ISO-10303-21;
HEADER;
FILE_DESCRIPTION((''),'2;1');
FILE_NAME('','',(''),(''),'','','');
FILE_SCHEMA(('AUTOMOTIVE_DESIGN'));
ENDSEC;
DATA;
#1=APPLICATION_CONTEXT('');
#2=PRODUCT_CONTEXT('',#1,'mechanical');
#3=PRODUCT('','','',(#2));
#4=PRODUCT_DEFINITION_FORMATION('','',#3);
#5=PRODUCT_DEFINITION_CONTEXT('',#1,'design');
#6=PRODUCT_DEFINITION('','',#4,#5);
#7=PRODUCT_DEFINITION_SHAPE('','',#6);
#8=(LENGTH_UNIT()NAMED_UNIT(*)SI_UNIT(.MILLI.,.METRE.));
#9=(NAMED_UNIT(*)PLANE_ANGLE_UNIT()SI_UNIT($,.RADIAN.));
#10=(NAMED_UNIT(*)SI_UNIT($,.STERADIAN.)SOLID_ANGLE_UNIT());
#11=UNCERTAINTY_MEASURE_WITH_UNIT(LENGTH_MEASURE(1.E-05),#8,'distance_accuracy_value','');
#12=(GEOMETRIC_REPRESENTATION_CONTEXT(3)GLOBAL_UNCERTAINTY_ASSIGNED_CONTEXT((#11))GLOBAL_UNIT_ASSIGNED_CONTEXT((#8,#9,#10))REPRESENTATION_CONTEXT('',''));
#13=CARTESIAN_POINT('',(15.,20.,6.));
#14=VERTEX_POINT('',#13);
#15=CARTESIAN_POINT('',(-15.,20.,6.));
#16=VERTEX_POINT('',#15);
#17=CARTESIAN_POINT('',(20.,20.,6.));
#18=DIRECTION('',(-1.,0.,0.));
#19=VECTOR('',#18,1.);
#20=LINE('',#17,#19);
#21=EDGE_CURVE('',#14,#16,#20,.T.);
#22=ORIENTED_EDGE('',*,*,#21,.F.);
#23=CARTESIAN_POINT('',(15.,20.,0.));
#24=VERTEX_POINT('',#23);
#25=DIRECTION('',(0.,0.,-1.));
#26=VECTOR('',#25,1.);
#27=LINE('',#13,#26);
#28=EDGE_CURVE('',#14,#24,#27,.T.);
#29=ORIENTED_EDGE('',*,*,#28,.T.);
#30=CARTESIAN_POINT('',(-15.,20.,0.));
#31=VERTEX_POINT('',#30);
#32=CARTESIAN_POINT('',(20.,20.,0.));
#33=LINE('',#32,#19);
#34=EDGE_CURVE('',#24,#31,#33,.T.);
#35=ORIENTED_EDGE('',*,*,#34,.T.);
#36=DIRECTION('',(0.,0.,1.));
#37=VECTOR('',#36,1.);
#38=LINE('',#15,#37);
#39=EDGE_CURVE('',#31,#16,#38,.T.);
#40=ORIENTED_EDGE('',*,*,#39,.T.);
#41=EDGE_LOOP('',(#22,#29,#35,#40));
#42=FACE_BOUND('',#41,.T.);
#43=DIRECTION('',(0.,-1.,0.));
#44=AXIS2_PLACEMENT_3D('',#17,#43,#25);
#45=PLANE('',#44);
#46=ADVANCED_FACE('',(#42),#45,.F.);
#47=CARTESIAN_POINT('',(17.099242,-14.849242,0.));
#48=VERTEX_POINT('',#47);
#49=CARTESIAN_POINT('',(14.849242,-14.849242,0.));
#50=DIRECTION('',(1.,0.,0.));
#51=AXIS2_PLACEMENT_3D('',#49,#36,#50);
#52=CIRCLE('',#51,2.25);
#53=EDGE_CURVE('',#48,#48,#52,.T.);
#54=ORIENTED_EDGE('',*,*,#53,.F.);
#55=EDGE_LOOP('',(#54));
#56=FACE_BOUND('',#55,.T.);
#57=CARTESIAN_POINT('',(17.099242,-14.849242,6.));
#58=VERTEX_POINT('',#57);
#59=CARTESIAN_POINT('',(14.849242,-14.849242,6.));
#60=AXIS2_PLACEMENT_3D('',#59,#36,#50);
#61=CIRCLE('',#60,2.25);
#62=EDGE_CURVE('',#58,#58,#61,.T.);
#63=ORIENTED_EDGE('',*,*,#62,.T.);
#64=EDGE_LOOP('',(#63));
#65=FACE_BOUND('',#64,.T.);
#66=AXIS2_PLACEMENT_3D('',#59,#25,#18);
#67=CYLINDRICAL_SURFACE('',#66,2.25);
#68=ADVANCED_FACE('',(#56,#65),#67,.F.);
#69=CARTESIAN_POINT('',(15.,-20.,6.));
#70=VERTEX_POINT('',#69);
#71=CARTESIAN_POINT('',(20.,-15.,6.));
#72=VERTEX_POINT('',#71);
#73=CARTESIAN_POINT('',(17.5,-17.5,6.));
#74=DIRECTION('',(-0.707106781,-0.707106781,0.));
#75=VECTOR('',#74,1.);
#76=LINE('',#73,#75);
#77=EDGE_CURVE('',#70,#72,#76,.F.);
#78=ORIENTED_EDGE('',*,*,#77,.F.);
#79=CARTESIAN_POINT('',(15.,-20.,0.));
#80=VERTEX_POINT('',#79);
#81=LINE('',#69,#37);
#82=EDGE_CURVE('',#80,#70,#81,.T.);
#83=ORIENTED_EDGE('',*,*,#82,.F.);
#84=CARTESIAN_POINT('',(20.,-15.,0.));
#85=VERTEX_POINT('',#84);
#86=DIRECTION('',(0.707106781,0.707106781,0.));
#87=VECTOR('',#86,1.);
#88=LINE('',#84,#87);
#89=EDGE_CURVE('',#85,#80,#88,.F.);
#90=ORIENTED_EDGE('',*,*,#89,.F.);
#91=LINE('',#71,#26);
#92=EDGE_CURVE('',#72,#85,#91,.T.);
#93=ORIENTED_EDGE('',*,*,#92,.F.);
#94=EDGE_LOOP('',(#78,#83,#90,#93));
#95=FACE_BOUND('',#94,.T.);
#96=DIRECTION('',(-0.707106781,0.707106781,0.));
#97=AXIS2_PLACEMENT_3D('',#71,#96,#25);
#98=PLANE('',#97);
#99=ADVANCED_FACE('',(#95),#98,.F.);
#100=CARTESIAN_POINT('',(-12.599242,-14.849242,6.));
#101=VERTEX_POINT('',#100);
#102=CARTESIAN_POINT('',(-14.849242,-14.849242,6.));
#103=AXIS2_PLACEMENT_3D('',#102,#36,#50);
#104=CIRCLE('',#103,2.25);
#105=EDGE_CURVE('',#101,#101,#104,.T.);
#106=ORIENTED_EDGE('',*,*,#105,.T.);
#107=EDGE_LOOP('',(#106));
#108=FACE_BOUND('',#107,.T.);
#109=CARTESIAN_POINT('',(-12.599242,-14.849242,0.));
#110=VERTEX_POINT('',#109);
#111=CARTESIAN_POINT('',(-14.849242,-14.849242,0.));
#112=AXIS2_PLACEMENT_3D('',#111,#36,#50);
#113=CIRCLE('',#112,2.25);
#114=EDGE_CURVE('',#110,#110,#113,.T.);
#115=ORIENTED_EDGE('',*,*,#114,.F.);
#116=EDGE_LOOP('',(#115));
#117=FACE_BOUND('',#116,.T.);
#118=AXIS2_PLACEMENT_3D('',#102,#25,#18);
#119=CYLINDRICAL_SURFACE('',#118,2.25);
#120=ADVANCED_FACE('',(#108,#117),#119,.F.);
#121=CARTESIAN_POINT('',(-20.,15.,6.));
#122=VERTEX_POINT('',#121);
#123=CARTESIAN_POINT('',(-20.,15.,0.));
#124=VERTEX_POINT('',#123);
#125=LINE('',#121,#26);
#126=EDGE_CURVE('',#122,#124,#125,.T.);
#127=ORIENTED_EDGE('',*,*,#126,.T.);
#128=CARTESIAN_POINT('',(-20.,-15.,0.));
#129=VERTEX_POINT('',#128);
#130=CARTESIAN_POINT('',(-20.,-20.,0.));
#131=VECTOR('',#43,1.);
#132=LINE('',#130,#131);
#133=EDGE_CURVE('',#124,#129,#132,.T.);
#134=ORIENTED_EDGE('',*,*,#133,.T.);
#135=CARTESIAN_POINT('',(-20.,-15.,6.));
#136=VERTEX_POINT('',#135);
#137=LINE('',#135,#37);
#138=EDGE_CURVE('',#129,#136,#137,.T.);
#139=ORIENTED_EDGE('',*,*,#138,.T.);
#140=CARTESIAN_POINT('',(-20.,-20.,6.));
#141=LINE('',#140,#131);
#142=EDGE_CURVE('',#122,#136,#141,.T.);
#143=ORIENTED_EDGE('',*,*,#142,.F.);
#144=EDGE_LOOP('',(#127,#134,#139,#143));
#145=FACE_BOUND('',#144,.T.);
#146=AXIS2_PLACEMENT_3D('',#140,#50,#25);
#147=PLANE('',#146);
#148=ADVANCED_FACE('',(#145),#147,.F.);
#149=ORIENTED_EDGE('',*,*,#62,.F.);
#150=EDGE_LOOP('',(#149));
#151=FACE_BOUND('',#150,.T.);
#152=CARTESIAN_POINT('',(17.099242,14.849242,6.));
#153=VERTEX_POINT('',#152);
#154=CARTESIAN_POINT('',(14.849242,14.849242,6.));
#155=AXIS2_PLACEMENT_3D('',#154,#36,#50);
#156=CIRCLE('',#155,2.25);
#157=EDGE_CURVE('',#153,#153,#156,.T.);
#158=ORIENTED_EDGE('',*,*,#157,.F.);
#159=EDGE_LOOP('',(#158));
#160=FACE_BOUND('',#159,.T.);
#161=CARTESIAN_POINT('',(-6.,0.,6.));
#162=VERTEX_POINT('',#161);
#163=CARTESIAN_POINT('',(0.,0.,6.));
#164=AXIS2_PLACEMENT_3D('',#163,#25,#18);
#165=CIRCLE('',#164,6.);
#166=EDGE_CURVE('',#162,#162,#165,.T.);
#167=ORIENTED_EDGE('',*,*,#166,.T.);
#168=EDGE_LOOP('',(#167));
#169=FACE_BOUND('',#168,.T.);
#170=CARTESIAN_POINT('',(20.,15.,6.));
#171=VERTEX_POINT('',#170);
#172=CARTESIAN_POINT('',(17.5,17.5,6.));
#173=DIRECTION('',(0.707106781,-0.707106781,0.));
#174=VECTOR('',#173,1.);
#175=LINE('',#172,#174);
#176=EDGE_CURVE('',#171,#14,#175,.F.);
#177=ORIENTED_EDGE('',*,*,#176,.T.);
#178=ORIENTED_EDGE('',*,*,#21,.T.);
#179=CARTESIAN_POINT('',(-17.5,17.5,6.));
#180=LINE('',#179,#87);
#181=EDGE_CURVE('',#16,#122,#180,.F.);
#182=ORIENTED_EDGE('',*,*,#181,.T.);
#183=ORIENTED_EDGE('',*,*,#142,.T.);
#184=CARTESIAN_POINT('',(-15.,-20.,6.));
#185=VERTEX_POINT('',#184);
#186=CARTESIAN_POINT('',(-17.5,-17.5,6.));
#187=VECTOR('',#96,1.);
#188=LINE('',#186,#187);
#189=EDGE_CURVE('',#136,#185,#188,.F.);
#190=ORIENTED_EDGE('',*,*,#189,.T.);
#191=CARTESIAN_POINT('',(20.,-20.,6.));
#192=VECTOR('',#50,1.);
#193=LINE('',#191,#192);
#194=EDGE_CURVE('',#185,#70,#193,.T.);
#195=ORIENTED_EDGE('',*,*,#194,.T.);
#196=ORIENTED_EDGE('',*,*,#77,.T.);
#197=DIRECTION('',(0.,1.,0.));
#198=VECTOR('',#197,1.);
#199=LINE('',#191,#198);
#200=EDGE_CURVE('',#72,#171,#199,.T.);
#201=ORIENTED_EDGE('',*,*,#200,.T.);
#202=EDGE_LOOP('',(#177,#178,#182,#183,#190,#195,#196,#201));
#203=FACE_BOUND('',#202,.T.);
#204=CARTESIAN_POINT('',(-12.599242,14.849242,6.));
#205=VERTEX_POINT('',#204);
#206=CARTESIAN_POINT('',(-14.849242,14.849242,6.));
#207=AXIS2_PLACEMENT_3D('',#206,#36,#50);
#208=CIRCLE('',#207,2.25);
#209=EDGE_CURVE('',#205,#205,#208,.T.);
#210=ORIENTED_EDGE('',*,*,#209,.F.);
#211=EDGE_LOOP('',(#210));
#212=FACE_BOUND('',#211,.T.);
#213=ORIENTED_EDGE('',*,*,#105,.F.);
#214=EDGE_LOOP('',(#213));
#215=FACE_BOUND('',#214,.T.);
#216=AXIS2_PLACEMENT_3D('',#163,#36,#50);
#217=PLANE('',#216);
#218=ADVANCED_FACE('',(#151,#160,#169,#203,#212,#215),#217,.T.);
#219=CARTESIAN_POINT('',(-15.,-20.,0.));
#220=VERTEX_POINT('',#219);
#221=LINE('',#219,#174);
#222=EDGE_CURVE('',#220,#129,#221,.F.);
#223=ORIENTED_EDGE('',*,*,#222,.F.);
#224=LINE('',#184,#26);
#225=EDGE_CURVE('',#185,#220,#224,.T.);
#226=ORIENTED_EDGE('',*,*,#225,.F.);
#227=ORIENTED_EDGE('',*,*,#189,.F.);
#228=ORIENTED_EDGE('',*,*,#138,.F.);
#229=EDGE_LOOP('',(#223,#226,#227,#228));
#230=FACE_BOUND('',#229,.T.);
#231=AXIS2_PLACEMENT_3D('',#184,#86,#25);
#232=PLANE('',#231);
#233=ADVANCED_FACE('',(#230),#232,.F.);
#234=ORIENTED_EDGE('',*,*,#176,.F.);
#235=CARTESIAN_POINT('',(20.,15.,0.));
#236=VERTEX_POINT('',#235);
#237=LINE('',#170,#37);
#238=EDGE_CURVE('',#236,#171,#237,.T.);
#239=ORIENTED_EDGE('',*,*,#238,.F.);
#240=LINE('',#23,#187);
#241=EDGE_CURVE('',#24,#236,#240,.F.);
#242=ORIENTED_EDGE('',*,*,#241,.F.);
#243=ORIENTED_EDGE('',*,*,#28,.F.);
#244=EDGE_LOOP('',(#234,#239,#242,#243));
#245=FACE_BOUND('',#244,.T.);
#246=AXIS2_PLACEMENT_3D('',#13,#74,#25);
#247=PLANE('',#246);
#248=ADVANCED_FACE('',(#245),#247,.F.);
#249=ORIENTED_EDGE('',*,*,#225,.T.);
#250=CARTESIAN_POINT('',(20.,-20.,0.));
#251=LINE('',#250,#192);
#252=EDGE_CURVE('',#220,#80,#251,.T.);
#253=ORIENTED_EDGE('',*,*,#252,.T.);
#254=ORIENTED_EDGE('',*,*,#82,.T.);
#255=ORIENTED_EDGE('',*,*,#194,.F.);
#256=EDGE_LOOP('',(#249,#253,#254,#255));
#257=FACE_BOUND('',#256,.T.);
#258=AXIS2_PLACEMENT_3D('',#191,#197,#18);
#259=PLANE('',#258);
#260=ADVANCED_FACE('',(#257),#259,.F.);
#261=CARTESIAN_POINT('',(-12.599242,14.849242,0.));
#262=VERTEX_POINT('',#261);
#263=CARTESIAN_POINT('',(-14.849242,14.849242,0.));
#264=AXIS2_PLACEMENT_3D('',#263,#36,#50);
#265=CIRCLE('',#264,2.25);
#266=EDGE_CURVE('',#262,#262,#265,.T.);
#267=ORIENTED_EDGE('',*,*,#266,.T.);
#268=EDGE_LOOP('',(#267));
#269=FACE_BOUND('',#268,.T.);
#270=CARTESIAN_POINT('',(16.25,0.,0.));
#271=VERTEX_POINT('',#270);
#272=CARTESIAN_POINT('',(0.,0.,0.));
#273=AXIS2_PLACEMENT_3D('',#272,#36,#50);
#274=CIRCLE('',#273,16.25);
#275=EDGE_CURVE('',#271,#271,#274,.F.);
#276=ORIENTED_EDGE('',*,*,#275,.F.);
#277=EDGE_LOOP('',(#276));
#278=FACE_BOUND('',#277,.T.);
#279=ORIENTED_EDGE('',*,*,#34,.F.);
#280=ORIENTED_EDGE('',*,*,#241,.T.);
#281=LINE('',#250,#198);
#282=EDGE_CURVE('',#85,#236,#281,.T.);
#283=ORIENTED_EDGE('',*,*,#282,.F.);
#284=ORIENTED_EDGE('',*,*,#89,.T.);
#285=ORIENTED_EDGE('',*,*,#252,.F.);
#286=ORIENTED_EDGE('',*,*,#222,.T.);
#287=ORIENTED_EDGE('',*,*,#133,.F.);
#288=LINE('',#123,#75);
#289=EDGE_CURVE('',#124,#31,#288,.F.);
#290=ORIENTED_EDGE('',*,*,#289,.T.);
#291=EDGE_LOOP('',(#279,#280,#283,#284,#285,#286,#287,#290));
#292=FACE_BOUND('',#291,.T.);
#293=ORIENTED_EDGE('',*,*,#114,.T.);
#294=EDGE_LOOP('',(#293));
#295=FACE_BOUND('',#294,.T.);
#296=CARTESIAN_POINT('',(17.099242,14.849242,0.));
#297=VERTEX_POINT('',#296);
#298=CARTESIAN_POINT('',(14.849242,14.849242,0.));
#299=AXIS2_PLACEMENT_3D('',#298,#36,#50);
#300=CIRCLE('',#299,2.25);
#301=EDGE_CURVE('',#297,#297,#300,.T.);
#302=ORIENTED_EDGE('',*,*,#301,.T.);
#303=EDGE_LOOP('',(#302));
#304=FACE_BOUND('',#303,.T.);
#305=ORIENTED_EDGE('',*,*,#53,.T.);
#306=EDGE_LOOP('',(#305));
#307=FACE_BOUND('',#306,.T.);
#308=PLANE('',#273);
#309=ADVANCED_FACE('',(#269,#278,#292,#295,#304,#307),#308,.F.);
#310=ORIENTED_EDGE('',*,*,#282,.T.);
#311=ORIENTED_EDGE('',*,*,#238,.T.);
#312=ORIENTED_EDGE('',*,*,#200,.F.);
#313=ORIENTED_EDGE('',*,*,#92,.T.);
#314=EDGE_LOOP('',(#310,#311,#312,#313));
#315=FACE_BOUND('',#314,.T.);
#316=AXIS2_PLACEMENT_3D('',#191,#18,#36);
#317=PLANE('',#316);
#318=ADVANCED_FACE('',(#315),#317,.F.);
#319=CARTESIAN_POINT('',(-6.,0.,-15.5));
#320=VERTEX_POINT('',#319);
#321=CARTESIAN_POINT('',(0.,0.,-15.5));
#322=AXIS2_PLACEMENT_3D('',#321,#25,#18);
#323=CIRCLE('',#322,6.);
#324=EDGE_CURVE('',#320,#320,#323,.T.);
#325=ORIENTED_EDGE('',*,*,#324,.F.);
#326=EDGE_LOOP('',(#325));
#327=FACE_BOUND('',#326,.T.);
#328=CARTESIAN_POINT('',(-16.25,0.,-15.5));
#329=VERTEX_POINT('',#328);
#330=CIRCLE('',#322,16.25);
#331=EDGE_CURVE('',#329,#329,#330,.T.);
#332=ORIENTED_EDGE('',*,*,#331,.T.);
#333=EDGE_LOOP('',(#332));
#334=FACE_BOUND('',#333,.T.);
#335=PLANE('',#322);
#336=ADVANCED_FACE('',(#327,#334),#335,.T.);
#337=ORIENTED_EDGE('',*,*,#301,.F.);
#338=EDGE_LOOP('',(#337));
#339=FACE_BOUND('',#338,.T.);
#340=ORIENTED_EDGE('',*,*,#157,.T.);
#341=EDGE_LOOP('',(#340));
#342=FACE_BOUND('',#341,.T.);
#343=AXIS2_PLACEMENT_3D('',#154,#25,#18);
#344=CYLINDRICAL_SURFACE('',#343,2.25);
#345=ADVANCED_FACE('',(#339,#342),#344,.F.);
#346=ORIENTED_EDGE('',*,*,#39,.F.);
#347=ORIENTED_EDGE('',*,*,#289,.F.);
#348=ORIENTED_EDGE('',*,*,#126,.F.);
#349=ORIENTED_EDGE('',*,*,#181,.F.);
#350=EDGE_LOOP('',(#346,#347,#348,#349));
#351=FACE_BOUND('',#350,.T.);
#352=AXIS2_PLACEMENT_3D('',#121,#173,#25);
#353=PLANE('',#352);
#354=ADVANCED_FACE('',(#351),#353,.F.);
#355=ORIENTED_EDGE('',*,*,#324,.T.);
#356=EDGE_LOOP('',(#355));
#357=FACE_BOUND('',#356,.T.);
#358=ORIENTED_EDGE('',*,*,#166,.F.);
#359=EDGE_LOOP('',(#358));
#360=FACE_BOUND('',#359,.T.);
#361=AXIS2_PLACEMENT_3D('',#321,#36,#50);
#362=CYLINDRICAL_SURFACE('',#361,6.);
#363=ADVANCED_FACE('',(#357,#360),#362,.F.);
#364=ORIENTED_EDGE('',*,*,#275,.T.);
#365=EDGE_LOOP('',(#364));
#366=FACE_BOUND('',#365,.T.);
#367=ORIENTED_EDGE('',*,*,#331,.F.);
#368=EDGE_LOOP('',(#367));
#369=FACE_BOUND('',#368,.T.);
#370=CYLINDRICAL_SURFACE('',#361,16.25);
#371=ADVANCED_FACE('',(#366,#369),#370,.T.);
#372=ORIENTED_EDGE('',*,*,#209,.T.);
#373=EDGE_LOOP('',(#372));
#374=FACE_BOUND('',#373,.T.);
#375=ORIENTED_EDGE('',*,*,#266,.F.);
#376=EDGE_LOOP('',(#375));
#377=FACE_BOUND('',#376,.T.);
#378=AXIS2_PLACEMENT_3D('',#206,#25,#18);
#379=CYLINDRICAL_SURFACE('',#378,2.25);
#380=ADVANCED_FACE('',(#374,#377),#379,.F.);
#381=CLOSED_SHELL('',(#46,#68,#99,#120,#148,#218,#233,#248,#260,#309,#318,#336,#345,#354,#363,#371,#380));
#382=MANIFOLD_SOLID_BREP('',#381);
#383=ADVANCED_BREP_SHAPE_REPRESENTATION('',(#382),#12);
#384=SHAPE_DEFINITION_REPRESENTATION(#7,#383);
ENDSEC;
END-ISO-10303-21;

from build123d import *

# Parameters (mm, degrees)
SKETCH_1_W          = 40
SKETCH_1_H          = 40
SKETCH_1_R          = 2.25
EXTRUDE_1_DEPTH     = 6
CHAMFER_1_SIZE      = 5
SKETCH_2_R          = 16.25
SKETCH_2_R_2        = 6
EXTRUDE_2_DEPTH     = 15.5
SKETCH_3_R          = 6
CUT_EXTRUDE_1_DEPTH = 33.252906846


with BuildPart() as part:
    # 草图1 → 凸台-拉伸1 (new body)
    with BuildSketch(Plane.XY):
        Rectangle(SKETCH_1_W, SKETCH_1_H)
        with Locations((-14.849242405, 14.849242405)):
            Circle(SKETCH_1_R, mode=Mode.SUBTRACT)
        with Locations((14.849242405, 14.849242405)):
            Circle(SKETCH_1_R, mode=Mode.SUBTRACT)
        with Locations((14.849242405, -14.849242405)):
            Circle(SKETCH_1_R, mode=Mode.SUBTRACT)
        with Locations((-14.849242405, -14.849242405)):
            Circle(SKETCH_1_R, mode=Mode.SUBTRACT)
    extrude(amount=EXTRUDE_1_DEPTH)

    # 倒角1
    chamfer_1_edges = [part.edges().sort_by_distance(p)[0] for p in [
        (-20, 20, 3),
        (20, 20, 3),
        (20, -20, 3),
        (-20, -20, 3),
    ]]
    chamfer(chamfer_1_edges, length=CHAMFER_1_SIZE)

    # 草图2 → 凸台-拉伸2 (add)
    with BuildSketch(Plane(origin=(0, 0, 0), x_dir=(-1, 0, 0), z_dir=(0, 0, -1))):
        with Locations(Location((0, 0, 0), (0, 0, 180))):
            Circle(SKETCH_2_R)
        Circle(SKETCH_2_R_2, mode=Mode.SUBTRACT)
    extrude(amount=EXTRUDE_2_DEPTH)

    # 草图3 → 切除-拉伸1 (cut, through all)
    with BuildSketch(Plane(origin=(0, 0, 0), x_dir=(-1, 0, 0), z_dir=(0, 0, -1))):
        Circle(SKETCH_3_R)
    extrude(amount=-CUT_EXTRUDE_1_DEPTH, mode=Mode.SUBTRACT)


solid = part.part
